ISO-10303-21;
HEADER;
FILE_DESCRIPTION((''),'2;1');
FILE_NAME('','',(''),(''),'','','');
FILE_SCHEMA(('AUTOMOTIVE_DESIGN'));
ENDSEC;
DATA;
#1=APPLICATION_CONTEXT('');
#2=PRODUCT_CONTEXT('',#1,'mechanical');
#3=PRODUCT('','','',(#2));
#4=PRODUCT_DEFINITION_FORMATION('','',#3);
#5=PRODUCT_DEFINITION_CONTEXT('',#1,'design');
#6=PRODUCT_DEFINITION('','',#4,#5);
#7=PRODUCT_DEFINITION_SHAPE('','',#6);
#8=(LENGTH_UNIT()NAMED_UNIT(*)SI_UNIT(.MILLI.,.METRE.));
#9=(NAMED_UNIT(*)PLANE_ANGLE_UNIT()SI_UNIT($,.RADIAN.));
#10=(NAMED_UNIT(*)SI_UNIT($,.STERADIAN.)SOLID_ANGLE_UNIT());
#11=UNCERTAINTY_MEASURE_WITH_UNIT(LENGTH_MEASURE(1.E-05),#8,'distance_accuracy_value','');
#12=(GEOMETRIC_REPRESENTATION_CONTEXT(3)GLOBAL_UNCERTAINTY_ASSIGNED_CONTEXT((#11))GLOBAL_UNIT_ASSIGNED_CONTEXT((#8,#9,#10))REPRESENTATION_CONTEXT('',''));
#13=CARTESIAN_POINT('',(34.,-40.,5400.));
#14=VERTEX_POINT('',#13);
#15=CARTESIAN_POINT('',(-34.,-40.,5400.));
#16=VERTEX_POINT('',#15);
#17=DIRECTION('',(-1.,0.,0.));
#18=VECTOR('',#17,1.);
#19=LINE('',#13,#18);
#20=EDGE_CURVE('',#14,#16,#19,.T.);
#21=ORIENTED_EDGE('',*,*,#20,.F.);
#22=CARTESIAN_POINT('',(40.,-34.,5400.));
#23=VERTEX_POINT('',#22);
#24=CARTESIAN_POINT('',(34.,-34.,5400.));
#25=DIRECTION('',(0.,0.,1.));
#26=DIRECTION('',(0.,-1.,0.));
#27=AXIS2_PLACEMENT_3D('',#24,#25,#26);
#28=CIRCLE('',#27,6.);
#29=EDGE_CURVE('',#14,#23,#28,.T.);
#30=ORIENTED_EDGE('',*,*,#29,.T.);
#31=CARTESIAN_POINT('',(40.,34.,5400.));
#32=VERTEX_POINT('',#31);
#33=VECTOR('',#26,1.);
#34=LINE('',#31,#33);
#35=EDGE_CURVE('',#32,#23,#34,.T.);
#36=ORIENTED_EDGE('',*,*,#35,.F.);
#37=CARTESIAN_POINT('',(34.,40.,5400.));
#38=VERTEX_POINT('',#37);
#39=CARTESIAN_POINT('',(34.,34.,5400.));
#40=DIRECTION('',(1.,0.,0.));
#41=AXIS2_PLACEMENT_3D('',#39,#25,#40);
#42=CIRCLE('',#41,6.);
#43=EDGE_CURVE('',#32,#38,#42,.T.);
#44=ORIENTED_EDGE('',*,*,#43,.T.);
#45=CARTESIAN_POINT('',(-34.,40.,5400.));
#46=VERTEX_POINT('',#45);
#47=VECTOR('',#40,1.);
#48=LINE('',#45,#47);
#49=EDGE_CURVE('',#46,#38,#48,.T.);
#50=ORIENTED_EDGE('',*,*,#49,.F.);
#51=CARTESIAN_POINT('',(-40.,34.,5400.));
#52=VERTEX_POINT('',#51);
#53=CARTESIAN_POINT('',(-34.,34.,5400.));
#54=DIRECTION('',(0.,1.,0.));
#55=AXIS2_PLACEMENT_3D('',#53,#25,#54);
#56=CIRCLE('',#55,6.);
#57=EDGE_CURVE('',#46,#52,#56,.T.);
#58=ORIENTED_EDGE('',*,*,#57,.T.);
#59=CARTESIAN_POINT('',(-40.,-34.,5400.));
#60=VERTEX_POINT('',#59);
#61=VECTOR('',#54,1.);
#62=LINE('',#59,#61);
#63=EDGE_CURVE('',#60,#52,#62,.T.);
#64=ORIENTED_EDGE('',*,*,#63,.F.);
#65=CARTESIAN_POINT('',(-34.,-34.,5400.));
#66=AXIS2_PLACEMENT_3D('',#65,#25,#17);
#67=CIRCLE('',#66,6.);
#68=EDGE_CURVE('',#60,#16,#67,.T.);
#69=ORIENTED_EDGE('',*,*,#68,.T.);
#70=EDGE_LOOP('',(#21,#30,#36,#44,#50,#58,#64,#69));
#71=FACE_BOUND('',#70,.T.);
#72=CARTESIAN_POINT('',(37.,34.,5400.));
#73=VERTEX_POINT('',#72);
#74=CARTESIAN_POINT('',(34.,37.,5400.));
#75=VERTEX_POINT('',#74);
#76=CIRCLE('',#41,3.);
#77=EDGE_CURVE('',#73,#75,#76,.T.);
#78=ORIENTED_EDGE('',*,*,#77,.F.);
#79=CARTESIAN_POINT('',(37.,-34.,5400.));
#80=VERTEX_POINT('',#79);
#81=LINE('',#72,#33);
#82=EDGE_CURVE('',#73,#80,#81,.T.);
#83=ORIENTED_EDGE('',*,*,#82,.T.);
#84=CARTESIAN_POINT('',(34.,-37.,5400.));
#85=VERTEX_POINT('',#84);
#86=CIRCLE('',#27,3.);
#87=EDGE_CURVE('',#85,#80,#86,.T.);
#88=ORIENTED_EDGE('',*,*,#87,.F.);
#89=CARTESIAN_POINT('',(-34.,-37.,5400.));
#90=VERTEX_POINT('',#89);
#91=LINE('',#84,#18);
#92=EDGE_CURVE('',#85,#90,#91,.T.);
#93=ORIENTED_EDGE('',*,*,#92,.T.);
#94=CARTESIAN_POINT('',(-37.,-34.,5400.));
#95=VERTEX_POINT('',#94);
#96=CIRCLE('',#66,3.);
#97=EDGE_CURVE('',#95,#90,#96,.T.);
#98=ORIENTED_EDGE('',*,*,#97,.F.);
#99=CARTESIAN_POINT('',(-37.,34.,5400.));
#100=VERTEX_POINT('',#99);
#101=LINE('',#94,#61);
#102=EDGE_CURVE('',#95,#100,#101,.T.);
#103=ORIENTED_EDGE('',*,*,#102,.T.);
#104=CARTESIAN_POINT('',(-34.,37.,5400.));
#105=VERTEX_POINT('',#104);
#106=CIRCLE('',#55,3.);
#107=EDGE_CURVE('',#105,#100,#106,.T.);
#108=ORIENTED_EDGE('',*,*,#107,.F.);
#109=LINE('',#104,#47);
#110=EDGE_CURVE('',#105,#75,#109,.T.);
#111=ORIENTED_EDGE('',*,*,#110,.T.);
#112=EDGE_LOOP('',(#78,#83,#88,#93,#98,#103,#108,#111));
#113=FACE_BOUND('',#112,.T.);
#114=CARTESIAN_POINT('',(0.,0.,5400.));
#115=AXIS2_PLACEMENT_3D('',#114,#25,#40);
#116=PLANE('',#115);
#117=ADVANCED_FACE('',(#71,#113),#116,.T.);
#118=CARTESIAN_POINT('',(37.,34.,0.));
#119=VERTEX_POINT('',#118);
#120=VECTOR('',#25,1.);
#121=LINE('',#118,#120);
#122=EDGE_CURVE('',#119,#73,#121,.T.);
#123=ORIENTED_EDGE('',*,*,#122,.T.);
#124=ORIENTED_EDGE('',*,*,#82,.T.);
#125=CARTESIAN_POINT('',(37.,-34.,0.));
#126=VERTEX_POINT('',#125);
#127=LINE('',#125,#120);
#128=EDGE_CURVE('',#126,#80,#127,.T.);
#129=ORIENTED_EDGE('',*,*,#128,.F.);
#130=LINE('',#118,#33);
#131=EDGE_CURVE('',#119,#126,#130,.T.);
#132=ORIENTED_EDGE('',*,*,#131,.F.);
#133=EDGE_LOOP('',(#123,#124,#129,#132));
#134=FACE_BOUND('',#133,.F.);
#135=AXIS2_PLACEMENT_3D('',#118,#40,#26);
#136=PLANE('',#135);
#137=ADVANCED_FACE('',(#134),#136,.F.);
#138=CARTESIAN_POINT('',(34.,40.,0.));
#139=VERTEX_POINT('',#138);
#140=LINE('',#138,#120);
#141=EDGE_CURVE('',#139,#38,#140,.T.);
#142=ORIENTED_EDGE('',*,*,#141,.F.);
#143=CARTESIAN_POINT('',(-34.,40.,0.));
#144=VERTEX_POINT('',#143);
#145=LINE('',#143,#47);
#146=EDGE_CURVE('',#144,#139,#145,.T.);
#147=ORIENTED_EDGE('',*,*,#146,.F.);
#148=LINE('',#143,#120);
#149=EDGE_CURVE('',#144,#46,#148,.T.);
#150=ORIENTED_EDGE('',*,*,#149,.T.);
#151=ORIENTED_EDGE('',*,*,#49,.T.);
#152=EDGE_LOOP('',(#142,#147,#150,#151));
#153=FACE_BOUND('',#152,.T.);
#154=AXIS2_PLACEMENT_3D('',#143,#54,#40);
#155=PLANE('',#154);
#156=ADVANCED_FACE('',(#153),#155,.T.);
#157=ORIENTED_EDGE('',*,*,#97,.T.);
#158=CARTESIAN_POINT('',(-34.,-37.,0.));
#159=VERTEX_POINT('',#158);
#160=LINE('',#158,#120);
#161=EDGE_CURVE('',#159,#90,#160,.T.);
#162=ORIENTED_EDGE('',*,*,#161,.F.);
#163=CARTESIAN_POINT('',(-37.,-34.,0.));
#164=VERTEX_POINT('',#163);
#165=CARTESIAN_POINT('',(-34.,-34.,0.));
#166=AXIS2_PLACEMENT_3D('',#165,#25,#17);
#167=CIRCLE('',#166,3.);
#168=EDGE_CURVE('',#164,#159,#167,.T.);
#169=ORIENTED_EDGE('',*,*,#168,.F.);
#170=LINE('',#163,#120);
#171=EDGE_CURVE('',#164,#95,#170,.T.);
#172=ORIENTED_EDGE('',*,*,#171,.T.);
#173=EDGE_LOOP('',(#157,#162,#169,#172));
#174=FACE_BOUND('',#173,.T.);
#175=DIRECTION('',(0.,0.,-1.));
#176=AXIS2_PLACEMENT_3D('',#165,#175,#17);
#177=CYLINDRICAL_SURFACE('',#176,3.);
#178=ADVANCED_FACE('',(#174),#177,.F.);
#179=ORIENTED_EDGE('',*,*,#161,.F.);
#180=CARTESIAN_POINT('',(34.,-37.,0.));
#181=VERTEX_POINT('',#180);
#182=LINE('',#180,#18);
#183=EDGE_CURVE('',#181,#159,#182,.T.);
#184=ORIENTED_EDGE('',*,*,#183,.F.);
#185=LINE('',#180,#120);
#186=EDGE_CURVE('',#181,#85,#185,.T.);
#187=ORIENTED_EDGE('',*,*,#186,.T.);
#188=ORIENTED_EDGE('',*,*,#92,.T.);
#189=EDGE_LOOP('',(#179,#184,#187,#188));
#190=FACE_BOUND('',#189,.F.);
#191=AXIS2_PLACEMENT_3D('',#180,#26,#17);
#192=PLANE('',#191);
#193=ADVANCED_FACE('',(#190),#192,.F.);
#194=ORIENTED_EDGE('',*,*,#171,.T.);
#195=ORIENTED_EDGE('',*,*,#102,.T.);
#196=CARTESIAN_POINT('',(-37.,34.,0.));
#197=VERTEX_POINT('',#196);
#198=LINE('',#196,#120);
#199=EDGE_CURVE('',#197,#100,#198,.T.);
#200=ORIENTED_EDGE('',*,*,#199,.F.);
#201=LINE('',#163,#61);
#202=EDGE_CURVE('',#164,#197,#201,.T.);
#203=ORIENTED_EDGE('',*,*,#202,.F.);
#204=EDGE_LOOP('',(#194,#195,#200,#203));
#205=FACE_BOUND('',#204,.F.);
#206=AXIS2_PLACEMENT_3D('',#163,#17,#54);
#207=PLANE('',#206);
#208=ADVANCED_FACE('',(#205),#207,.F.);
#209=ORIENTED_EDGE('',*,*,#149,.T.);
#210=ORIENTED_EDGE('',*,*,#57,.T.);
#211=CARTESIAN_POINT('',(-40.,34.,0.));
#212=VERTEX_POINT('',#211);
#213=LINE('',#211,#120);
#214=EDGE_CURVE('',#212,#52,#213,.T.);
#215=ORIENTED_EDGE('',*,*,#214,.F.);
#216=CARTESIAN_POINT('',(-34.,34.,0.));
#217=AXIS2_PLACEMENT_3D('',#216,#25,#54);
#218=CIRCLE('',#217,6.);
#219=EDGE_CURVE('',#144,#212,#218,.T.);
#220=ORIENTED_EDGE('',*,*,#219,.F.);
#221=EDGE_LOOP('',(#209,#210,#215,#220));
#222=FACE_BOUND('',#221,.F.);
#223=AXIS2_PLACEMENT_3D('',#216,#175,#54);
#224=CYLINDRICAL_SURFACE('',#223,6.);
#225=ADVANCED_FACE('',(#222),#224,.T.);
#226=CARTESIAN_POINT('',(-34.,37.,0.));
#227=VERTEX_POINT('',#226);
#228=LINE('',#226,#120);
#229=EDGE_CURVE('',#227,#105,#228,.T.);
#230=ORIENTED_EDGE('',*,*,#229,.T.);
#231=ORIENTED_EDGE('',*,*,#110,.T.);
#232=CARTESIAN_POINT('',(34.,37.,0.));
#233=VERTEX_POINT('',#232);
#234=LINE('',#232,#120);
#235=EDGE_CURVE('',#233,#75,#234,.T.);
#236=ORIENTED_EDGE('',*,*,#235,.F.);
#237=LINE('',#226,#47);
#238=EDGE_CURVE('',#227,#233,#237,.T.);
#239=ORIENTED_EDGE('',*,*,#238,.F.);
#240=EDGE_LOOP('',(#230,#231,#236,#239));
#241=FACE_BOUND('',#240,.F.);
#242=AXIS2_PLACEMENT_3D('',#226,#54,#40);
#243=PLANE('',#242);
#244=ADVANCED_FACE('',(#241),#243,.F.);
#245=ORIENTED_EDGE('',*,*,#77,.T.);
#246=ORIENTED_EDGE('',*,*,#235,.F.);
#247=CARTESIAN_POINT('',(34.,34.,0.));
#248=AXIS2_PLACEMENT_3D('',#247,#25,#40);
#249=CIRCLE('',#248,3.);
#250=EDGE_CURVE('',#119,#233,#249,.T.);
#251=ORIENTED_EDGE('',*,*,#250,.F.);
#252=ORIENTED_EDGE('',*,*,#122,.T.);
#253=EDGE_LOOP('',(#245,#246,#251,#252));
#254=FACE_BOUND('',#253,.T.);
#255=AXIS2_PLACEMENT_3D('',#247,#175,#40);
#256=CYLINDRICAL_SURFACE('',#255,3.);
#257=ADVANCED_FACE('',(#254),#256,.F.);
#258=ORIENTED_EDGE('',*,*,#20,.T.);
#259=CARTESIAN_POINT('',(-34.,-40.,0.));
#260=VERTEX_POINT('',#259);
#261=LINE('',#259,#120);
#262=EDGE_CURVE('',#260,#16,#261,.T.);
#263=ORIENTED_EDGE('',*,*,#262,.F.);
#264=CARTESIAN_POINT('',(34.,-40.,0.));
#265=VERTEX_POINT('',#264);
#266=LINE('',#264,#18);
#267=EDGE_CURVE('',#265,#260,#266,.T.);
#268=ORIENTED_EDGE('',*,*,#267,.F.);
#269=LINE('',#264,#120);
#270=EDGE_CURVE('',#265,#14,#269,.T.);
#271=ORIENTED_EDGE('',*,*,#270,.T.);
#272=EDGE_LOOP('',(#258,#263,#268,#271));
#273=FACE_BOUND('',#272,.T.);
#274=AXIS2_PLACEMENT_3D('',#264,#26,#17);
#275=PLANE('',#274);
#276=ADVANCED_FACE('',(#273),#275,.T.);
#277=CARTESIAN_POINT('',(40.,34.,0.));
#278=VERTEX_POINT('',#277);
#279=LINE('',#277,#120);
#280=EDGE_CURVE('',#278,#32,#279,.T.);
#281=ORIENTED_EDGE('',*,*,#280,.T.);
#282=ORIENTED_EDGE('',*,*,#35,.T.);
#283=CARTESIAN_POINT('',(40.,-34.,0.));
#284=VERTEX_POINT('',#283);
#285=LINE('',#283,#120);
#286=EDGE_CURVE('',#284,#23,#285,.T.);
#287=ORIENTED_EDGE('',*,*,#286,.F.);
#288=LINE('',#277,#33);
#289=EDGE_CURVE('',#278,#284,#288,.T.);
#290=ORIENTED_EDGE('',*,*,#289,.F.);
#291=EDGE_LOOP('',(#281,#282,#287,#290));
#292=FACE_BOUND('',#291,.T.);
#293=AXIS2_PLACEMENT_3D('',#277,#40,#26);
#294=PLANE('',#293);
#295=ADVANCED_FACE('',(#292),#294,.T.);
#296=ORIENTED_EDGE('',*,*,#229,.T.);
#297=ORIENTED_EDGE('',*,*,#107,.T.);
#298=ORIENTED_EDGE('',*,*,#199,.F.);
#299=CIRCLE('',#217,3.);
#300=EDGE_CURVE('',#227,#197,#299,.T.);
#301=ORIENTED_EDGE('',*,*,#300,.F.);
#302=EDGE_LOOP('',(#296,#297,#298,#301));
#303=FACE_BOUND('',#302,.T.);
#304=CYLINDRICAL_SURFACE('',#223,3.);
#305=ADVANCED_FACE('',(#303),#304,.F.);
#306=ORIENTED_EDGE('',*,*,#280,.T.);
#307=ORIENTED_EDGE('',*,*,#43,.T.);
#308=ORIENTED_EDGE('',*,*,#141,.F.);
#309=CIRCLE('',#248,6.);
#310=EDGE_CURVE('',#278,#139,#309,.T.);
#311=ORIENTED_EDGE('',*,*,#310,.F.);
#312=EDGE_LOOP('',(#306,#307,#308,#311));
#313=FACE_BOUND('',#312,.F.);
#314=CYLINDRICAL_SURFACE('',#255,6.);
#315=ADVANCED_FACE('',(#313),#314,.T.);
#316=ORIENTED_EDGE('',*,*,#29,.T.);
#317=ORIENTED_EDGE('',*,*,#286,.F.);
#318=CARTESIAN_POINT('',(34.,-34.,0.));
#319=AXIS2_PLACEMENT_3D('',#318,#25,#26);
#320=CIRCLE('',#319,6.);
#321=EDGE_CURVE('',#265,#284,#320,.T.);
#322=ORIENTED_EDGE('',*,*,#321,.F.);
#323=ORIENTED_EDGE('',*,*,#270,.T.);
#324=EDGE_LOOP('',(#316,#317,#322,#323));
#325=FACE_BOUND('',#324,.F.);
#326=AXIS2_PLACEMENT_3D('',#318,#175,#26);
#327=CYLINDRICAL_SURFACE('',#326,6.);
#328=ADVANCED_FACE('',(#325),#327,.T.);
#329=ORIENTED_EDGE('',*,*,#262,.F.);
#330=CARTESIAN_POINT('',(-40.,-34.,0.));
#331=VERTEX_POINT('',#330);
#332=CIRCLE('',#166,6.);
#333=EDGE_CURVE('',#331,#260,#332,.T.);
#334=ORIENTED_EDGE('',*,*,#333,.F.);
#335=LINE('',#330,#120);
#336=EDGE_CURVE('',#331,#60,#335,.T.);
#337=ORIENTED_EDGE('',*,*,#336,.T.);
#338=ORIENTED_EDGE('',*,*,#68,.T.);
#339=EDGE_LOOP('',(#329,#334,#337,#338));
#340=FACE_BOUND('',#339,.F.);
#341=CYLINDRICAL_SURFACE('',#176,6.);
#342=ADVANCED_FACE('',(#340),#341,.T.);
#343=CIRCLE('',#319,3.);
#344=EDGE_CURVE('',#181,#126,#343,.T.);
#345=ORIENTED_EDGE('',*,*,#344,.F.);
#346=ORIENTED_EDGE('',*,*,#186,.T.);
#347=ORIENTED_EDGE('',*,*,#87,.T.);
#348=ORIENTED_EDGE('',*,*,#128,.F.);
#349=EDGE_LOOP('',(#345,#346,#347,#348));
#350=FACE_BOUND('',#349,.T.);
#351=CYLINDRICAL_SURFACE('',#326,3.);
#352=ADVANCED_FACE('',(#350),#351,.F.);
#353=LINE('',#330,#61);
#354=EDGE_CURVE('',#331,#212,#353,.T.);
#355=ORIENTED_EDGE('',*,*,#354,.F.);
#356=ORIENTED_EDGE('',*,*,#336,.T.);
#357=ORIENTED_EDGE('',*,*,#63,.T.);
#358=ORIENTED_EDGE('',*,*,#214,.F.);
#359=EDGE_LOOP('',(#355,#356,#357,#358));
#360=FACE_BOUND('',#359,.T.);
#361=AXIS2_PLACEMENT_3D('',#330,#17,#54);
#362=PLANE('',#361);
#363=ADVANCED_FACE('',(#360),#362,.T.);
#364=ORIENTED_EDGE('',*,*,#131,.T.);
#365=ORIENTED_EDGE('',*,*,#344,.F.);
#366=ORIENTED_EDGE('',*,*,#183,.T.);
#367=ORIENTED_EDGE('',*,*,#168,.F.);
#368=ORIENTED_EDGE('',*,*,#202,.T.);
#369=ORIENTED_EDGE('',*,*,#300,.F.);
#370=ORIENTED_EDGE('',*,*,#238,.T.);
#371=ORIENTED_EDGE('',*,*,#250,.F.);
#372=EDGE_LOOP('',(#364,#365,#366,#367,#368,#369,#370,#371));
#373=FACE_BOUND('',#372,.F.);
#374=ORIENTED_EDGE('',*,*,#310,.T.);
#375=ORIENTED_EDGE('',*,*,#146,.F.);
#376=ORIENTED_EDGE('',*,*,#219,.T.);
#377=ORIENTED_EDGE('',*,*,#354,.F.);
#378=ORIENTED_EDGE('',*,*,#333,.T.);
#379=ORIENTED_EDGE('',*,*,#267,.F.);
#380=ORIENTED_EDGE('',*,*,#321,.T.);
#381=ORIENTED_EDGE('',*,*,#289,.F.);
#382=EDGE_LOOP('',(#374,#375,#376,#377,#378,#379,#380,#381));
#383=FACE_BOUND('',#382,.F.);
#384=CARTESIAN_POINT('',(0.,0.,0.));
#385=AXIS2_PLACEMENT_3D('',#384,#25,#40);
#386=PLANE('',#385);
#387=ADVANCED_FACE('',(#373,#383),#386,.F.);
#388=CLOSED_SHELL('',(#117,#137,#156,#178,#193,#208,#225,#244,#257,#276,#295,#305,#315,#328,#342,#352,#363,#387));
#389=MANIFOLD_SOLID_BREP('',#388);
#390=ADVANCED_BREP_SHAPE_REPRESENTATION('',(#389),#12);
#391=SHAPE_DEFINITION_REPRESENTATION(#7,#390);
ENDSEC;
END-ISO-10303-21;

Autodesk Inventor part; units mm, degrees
ref_plane "YZ Plane" through (0, 0, 0) normal (1, 0, 0) x (0, 1, 0)
ref_plane "Start Plane" through (0, 0, 0) normal (0, 0, 1) x (1, 0, 0)
ref_plane "End Plane" through (0, 0, 5400) normal (0, 0, 1) x (1, 0, 0)
sketch "Sketch" plane through (0, 0, 0) normal (0, 0, 1) x (1, 0, 0)
  line L0 (-40, -34) -> (-40, 34)
  line L1 (-34, 40) -> (34, 40)
  line L2 (40, 34) -> (40, -34)
  line L3 (34, -40) -> (-34, -40)
  arc A0 (-40, -34) -> (-34, -40) centre (-34, -34) ccw
  arc A1 (40, 34) -> (34, 40) centre (34, 34) ccw
  arc A2 (-34, 40) -> (-40, 34) centre (-34, 34) ccw
  arc A3 (34, -40) -> (40, -34) centre (34, -34) ccw
  arc A4 (-34, 37) -> (-37, 34) centre (-34, 34) ccw
  line L4 (-34, 37) -> (34, 37)
  arc A5 (37, 34) -> (34, 37) centre (34, 34) ccw
  line L5 (37, 34) -> (37, -34)
  arc A6 (34, -37) -> (37, -34) centre (34, -34) ccw
  line L6 (34, -37) -> (-34, -37)
  arc A7 (-37, -34) -> (-34, -37) centre (-34, -34) ccw
  line L7 (-37, -34) -> (-37, 34)
  line L8 (0, 57.7397) -> (0, -57.7397) construction
  line L9 (-57.7397, 0) -> (57.7397, 0) construction
  dimension "d7" = 6
  dimension "d9" = 80
  dimension "d11" = 80
  dimension "d12" = 3
  dimension "d15" = 40
  dimension "d16" = 40
extrude "Body" add sketch "Sketch" along normal up to surface (5400 mm away) from surface at 0
sketch "Sketch3" plane through (0, 0, 0) normal (0, 0, 1) x (1, 0, 0)
  line L0 (0, 0) -> (10, 0)
ref_plane "Work Plane3" through (0, 0, 0) normal (0, -1, 0) x (1, 0, 0)
sketch "Sketch4" plane through (0, 0, 0) normal (0, -1, 0) x (1, 0, 0)
  line L0 (-2, 0) -> (12, 0) projected
  line L1 (-2, 5400) -> (12, 5400) projected
  dimension "d18" = 5400
equation "\"d7\" = G_IR"
equation "\"d9\" = G_W"
equation "\"d11\" = G_H"
equation "\"d12\" = G_T"
equation "\"d15\" = 0.5 * d9"
equation "\"d16\" = 0.5 * d11"
equation "\"d3\" = G_L"
equation "\"G_W\" = 80"
equation "\"G_H\" = 80"
equation "\"G_T\" = 3"
equation "\"G_IR\" = 6"
equation "\"G_L\" = d18"
equation "\"G_OFFSET_START\" = 0"
equation "\"G_OFFSET_END\" = 0"
properties part number "ISO 10799-2 - 80x80x3 - 5400" material "Steel, Mild"
